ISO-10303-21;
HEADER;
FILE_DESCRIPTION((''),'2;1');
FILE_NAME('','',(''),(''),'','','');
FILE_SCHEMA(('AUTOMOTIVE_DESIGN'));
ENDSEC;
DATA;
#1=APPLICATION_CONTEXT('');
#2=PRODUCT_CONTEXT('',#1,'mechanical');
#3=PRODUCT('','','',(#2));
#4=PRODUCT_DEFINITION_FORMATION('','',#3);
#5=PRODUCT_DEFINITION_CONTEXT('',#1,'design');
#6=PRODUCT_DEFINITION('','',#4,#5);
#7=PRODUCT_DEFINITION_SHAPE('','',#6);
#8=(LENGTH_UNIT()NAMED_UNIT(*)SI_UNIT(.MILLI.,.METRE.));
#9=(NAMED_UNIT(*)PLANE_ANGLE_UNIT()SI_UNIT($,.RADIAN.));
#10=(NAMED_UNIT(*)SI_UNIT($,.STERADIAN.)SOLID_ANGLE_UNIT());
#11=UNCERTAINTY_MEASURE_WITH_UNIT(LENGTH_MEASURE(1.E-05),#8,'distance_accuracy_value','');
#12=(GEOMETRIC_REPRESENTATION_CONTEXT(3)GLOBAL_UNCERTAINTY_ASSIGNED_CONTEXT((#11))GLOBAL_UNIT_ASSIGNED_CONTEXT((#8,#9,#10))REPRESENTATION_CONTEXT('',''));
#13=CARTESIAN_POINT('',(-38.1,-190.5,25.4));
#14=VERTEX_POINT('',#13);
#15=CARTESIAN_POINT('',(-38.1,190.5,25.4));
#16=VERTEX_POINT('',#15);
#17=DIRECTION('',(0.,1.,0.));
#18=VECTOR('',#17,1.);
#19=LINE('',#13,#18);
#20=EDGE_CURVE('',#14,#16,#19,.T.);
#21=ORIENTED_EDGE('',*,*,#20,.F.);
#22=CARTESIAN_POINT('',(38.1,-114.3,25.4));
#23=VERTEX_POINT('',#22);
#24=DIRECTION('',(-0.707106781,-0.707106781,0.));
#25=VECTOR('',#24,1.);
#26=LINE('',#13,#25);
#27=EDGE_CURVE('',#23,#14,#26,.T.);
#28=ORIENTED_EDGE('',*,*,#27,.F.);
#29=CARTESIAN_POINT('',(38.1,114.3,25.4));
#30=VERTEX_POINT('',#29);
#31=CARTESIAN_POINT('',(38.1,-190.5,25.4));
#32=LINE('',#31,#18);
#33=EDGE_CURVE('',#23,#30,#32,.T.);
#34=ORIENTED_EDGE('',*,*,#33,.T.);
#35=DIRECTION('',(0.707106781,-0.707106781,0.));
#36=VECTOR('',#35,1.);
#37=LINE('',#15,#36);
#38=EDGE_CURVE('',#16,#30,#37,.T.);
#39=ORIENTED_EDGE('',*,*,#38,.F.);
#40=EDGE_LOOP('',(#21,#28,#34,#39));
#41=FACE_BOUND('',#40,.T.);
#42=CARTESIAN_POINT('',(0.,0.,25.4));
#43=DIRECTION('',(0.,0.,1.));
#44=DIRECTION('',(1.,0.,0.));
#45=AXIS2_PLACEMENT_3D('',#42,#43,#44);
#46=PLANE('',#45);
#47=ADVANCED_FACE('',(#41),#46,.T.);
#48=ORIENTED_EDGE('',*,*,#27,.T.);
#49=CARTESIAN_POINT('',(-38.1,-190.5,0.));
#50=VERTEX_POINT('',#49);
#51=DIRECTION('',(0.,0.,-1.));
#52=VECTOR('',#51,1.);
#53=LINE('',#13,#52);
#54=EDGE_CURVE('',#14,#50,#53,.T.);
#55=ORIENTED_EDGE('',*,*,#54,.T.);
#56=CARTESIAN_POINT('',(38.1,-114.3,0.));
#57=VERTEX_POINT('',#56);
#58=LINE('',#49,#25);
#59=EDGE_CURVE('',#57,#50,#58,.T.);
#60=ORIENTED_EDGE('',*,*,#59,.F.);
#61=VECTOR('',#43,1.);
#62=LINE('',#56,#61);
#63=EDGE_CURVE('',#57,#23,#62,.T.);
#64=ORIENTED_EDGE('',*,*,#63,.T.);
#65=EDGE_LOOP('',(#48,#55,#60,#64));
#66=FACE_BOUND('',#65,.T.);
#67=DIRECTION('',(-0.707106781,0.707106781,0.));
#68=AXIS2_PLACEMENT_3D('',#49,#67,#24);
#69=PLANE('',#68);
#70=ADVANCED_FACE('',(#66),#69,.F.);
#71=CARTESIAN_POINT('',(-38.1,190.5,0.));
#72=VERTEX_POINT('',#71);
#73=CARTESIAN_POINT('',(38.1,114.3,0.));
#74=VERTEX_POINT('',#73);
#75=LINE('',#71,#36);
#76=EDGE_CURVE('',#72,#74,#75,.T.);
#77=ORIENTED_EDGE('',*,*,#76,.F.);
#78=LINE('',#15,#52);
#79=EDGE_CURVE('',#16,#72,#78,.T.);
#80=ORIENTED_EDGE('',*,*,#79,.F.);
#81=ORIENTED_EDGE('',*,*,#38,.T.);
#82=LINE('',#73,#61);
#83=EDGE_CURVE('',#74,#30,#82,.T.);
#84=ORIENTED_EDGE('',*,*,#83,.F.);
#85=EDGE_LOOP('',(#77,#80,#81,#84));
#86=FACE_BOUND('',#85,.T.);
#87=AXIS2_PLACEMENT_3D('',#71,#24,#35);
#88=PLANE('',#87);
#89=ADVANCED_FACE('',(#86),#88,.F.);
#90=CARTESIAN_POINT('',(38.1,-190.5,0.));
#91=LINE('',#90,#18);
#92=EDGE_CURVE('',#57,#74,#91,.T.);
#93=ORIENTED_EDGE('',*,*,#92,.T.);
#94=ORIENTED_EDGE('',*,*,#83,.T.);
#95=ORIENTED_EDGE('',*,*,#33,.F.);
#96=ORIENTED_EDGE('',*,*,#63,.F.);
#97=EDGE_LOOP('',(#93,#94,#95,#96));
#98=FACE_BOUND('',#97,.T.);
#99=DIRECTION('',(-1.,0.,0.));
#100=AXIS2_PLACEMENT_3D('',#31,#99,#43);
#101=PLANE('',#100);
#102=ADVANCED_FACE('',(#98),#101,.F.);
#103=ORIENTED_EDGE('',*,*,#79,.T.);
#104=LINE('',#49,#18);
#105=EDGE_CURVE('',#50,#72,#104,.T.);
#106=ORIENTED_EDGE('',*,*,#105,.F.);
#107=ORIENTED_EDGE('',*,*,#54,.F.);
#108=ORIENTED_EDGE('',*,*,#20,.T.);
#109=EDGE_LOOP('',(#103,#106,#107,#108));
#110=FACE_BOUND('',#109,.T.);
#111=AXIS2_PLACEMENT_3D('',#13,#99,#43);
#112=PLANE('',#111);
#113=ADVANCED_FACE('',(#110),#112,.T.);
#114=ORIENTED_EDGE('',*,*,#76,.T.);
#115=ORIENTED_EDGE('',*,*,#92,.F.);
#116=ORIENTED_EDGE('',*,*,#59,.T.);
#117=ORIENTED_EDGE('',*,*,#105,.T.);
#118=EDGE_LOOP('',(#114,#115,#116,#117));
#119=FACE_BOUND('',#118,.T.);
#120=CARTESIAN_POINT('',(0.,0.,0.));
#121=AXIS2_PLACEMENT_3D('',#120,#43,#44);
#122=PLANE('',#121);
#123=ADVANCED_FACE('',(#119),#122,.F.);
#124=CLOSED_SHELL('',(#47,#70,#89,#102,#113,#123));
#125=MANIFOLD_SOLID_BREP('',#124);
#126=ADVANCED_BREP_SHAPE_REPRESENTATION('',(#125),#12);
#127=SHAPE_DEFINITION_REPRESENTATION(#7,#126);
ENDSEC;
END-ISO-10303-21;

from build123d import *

# Parameters (mm, degrees)
SKETCH1_W           = 76.2
SKETCH1_H           = 381
BOSS_EXTRUDE1_DEPTH = 25.4
CUT_EXTRUDE1_DEPTH  = 25.4


with BuildPart() as part:
    # Sketch1 → Boss-Extrude1 (new body)
    with BuildSketch(Plane.XY):
        Rectangle(SKETCH1_W, SKETCH1_H)
    extrude(amount=BOSS_EXTRUDE1_DEPTH)

    # Sketch2 → Cut-Extrude1 (cut)
    with BuildSketch(Plane.XY.offset(25.4)):
        Polygon((-38.1, 190.5), (38.1, 114.3), (38.1, 190.5), align=None)
        Polygon((-38.1, -190.5), (38.1, -114.3), (38.1, -190.5), align=None)
    extrude(amount=-CUT_EXTRUDE1_DEPTH, mode=Mode.SUBTRACT)


solid = part.part
